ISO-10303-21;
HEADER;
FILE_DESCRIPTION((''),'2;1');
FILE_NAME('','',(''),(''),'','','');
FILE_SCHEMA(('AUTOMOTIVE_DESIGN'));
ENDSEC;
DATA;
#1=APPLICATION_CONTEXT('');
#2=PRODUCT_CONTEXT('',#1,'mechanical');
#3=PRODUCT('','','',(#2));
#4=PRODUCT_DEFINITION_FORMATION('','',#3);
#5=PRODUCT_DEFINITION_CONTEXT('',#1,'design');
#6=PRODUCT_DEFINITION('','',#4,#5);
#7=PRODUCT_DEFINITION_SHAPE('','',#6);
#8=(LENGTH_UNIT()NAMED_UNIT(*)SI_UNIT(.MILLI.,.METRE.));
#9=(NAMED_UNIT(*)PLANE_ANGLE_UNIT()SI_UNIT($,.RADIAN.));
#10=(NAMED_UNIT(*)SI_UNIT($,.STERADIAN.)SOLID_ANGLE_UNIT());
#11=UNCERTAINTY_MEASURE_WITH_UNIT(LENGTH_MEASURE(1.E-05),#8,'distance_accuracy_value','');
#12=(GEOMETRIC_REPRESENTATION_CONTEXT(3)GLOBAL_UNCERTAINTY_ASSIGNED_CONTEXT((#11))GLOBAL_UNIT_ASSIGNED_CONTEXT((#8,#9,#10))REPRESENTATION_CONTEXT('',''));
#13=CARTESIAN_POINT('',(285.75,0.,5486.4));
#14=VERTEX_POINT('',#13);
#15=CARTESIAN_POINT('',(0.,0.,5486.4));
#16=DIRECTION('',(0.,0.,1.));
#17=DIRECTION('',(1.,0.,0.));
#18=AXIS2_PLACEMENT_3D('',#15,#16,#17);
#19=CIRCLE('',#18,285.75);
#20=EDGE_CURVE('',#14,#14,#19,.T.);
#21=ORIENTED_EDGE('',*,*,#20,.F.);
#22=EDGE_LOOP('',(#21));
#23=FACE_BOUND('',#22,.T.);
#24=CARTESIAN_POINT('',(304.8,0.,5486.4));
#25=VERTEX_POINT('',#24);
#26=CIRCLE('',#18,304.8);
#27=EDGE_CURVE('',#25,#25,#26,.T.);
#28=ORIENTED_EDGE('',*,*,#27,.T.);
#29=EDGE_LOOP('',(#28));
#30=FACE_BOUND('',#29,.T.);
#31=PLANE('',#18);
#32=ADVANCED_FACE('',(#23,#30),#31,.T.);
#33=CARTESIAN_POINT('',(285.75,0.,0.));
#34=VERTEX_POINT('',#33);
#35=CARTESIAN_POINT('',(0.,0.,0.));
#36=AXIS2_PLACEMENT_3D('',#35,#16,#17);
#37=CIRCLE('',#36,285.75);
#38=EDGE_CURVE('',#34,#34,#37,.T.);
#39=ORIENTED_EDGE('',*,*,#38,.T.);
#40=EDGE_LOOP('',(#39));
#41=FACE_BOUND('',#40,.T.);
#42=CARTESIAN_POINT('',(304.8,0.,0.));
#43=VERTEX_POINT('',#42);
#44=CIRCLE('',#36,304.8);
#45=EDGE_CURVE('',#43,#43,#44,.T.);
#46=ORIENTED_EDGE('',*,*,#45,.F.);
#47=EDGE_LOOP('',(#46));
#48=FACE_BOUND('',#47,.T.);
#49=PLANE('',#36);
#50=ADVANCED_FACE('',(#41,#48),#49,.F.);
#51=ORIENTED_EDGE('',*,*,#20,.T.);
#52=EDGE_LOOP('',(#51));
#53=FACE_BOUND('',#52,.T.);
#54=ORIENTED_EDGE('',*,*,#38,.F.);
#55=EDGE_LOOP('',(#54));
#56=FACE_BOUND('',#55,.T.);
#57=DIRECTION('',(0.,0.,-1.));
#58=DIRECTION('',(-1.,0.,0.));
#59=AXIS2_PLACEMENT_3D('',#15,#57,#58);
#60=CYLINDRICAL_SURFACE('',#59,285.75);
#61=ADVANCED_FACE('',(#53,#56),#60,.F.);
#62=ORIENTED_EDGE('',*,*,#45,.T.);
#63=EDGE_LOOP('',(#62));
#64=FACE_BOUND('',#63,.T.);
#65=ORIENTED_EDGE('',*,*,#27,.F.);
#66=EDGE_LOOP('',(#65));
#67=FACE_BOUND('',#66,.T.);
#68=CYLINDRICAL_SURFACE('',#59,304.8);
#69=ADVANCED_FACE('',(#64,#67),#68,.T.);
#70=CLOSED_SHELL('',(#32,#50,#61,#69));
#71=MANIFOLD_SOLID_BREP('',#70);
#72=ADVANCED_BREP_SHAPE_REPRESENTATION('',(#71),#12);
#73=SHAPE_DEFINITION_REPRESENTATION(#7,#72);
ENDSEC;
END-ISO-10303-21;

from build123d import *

# Parameters (mm, degrees)
PIPESKETCH_R    = 304.8
PIPESKETCH_R_2  = 285.75
EXTRUSION_DEPTH = 5486.4


with BuildPart() as part:
    # PipeSketch → Extrusion (new body)
    with BuildSketch(Plane.XY):
        Circle(PIPESKETCH_R)
        Circle(PIPESKETCH_R_2, mode=Mode.SUBTRACT)
    extrude(amount=EXTRUSION_DEPTH)


solid = part.part
